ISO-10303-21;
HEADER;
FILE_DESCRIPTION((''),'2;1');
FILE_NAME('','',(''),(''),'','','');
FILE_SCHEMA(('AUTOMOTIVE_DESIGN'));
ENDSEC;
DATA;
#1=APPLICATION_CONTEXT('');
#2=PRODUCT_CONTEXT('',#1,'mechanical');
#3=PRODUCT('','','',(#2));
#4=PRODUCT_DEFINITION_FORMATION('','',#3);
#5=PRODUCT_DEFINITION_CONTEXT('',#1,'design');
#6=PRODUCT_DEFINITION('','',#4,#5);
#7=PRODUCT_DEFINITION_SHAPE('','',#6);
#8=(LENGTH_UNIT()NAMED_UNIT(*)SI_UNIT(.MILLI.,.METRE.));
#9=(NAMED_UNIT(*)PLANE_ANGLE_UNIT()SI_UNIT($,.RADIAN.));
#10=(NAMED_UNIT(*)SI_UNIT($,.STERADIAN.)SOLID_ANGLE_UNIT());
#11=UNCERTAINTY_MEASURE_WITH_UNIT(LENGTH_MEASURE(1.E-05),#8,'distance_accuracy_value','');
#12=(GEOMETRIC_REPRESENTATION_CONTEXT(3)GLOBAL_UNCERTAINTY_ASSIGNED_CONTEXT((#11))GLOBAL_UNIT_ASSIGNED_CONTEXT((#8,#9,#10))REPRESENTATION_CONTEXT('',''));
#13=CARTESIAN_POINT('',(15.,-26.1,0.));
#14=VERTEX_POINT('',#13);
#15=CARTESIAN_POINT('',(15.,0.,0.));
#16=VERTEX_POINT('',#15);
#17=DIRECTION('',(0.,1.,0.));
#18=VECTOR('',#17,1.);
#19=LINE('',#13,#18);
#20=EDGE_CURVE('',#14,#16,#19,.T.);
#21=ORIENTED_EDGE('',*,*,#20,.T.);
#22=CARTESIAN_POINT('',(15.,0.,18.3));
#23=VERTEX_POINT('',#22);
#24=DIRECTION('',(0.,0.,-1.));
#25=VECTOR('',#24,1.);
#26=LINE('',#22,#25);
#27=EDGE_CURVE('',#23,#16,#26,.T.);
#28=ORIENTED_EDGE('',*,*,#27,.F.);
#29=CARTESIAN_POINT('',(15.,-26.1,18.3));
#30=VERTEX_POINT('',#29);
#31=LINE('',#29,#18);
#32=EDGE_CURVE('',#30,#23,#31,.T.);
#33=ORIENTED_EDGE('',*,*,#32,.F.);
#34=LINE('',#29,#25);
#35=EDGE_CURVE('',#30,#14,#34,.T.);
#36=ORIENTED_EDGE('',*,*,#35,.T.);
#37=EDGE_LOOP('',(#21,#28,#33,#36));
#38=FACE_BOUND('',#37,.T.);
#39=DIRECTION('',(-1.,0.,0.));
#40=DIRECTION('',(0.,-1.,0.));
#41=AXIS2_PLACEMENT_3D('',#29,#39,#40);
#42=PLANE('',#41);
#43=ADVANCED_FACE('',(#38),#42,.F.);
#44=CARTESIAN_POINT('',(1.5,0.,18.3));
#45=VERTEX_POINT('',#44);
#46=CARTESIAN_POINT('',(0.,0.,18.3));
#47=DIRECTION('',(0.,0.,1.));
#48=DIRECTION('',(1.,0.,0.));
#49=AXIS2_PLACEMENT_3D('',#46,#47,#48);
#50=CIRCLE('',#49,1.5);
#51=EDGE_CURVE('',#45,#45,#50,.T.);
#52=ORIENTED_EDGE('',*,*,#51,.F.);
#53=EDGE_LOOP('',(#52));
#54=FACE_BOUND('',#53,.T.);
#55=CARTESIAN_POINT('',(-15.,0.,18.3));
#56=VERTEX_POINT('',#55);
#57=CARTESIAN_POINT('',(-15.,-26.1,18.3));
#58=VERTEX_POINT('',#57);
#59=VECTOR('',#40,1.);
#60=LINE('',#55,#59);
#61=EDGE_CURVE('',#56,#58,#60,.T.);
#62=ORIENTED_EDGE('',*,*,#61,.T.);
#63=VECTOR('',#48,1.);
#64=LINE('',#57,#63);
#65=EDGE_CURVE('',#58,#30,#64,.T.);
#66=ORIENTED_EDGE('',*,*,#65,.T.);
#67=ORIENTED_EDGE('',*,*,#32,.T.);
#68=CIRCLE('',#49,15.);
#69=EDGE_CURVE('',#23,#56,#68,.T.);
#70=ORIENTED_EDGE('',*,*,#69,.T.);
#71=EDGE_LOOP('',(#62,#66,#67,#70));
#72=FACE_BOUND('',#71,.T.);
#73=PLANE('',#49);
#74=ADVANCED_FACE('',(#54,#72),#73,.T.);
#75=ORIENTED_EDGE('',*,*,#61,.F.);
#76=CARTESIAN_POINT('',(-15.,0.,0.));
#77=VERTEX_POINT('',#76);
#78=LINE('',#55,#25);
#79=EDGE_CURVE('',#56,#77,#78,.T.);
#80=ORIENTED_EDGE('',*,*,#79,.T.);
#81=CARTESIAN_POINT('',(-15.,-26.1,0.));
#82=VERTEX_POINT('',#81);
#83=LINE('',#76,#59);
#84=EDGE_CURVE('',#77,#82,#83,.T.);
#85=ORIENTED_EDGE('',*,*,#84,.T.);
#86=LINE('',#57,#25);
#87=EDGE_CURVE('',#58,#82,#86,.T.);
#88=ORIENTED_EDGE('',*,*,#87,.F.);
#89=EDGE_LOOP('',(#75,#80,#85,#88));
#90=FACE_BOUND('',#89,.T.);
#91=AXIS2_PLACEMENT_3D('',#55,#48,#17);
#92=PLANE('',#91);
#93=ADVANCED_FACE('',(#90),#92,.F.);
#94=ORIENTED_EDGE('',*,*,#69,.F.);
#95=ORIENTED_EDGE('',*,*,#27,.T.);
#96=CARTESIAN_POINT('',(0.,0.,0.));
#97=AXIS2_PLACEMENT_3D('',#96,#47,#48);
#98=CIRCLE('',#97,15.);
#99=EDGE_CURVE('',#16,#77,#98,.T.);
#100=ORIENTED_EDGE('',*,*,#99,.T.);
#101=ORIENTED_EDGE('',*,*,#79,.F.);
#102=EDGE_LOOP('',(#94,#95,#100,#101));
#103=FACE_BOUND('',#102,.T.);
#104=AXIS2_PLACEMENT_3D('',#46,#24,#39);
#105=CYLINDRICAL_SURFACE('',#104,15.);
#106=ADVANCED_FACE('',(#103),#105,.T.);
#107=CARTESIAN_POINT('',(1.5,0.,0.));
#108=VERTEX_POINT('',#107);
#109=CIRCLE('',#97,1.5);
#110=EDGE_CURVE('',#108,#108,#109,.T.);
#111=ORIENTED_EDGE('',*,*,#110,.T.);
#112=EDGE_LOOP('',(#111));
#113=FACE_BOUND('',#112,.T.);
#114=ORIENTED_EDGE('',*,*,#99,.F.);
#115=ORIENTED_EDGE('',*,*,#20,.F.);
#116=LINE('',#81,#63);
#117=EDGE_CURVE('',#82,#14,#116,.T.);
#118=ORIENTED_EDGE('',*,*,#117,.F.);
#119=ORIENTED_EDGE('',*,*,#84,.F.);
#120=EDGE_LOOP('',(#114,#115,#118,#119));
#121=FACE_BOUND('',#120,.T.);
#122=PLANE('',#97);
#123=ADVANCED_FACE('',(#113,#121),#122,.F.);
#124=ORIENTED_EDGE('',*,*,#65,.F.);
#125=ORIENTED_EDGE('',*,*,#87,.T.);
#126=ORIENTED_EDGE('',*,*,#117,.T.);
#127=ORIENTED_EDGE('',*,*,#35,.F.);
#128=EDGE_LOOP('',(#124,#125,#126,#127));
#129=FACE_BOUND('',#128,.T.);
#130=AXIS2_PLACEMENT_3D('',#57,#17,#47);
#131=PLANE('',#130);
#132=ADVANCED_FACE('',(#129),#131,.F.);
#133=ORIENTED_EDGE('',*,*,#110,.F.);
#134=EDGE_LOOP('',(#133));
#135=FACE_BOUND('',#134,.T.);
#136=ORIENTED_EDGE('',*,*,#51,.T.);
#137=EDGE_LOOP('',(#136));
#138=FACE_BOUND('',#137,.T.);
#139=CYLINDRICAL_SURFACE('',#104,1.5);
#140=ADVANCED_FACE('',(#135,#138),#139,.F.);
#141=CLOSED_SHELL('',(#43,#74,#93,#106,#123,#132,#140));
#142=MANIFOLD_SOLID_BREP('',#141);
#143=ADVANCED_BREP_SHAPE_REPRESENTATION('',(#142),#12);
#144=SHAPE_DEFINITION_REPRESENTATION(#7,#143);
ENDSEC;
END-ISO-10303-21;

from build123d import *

# Parameters (mm, degrees)
SKETCH1_R           = 1.5
BOSS_EXTRUDE1_DEPTH = 18.3


with BuildPart() as part:
    # Sketch1 → Boss-Extrude1 (new body)
    with BuildSketch(Plane.XY):
        with BuildLine():
            Line((-15, 0), (-15, -26.1))
            Line((-15, -26.1), (15, -26.1))
            Line((15, -26.1), (15, 0))
            ThreePointArc((15, 0), (0, 15), (-15, 0))
        make_face()
        Circle(SKETCH1_R, mode=Mode.SUBTRACT)
    extrude(amount=BOSS_EXTRUDE1_DEPTH)


solid = part.part
